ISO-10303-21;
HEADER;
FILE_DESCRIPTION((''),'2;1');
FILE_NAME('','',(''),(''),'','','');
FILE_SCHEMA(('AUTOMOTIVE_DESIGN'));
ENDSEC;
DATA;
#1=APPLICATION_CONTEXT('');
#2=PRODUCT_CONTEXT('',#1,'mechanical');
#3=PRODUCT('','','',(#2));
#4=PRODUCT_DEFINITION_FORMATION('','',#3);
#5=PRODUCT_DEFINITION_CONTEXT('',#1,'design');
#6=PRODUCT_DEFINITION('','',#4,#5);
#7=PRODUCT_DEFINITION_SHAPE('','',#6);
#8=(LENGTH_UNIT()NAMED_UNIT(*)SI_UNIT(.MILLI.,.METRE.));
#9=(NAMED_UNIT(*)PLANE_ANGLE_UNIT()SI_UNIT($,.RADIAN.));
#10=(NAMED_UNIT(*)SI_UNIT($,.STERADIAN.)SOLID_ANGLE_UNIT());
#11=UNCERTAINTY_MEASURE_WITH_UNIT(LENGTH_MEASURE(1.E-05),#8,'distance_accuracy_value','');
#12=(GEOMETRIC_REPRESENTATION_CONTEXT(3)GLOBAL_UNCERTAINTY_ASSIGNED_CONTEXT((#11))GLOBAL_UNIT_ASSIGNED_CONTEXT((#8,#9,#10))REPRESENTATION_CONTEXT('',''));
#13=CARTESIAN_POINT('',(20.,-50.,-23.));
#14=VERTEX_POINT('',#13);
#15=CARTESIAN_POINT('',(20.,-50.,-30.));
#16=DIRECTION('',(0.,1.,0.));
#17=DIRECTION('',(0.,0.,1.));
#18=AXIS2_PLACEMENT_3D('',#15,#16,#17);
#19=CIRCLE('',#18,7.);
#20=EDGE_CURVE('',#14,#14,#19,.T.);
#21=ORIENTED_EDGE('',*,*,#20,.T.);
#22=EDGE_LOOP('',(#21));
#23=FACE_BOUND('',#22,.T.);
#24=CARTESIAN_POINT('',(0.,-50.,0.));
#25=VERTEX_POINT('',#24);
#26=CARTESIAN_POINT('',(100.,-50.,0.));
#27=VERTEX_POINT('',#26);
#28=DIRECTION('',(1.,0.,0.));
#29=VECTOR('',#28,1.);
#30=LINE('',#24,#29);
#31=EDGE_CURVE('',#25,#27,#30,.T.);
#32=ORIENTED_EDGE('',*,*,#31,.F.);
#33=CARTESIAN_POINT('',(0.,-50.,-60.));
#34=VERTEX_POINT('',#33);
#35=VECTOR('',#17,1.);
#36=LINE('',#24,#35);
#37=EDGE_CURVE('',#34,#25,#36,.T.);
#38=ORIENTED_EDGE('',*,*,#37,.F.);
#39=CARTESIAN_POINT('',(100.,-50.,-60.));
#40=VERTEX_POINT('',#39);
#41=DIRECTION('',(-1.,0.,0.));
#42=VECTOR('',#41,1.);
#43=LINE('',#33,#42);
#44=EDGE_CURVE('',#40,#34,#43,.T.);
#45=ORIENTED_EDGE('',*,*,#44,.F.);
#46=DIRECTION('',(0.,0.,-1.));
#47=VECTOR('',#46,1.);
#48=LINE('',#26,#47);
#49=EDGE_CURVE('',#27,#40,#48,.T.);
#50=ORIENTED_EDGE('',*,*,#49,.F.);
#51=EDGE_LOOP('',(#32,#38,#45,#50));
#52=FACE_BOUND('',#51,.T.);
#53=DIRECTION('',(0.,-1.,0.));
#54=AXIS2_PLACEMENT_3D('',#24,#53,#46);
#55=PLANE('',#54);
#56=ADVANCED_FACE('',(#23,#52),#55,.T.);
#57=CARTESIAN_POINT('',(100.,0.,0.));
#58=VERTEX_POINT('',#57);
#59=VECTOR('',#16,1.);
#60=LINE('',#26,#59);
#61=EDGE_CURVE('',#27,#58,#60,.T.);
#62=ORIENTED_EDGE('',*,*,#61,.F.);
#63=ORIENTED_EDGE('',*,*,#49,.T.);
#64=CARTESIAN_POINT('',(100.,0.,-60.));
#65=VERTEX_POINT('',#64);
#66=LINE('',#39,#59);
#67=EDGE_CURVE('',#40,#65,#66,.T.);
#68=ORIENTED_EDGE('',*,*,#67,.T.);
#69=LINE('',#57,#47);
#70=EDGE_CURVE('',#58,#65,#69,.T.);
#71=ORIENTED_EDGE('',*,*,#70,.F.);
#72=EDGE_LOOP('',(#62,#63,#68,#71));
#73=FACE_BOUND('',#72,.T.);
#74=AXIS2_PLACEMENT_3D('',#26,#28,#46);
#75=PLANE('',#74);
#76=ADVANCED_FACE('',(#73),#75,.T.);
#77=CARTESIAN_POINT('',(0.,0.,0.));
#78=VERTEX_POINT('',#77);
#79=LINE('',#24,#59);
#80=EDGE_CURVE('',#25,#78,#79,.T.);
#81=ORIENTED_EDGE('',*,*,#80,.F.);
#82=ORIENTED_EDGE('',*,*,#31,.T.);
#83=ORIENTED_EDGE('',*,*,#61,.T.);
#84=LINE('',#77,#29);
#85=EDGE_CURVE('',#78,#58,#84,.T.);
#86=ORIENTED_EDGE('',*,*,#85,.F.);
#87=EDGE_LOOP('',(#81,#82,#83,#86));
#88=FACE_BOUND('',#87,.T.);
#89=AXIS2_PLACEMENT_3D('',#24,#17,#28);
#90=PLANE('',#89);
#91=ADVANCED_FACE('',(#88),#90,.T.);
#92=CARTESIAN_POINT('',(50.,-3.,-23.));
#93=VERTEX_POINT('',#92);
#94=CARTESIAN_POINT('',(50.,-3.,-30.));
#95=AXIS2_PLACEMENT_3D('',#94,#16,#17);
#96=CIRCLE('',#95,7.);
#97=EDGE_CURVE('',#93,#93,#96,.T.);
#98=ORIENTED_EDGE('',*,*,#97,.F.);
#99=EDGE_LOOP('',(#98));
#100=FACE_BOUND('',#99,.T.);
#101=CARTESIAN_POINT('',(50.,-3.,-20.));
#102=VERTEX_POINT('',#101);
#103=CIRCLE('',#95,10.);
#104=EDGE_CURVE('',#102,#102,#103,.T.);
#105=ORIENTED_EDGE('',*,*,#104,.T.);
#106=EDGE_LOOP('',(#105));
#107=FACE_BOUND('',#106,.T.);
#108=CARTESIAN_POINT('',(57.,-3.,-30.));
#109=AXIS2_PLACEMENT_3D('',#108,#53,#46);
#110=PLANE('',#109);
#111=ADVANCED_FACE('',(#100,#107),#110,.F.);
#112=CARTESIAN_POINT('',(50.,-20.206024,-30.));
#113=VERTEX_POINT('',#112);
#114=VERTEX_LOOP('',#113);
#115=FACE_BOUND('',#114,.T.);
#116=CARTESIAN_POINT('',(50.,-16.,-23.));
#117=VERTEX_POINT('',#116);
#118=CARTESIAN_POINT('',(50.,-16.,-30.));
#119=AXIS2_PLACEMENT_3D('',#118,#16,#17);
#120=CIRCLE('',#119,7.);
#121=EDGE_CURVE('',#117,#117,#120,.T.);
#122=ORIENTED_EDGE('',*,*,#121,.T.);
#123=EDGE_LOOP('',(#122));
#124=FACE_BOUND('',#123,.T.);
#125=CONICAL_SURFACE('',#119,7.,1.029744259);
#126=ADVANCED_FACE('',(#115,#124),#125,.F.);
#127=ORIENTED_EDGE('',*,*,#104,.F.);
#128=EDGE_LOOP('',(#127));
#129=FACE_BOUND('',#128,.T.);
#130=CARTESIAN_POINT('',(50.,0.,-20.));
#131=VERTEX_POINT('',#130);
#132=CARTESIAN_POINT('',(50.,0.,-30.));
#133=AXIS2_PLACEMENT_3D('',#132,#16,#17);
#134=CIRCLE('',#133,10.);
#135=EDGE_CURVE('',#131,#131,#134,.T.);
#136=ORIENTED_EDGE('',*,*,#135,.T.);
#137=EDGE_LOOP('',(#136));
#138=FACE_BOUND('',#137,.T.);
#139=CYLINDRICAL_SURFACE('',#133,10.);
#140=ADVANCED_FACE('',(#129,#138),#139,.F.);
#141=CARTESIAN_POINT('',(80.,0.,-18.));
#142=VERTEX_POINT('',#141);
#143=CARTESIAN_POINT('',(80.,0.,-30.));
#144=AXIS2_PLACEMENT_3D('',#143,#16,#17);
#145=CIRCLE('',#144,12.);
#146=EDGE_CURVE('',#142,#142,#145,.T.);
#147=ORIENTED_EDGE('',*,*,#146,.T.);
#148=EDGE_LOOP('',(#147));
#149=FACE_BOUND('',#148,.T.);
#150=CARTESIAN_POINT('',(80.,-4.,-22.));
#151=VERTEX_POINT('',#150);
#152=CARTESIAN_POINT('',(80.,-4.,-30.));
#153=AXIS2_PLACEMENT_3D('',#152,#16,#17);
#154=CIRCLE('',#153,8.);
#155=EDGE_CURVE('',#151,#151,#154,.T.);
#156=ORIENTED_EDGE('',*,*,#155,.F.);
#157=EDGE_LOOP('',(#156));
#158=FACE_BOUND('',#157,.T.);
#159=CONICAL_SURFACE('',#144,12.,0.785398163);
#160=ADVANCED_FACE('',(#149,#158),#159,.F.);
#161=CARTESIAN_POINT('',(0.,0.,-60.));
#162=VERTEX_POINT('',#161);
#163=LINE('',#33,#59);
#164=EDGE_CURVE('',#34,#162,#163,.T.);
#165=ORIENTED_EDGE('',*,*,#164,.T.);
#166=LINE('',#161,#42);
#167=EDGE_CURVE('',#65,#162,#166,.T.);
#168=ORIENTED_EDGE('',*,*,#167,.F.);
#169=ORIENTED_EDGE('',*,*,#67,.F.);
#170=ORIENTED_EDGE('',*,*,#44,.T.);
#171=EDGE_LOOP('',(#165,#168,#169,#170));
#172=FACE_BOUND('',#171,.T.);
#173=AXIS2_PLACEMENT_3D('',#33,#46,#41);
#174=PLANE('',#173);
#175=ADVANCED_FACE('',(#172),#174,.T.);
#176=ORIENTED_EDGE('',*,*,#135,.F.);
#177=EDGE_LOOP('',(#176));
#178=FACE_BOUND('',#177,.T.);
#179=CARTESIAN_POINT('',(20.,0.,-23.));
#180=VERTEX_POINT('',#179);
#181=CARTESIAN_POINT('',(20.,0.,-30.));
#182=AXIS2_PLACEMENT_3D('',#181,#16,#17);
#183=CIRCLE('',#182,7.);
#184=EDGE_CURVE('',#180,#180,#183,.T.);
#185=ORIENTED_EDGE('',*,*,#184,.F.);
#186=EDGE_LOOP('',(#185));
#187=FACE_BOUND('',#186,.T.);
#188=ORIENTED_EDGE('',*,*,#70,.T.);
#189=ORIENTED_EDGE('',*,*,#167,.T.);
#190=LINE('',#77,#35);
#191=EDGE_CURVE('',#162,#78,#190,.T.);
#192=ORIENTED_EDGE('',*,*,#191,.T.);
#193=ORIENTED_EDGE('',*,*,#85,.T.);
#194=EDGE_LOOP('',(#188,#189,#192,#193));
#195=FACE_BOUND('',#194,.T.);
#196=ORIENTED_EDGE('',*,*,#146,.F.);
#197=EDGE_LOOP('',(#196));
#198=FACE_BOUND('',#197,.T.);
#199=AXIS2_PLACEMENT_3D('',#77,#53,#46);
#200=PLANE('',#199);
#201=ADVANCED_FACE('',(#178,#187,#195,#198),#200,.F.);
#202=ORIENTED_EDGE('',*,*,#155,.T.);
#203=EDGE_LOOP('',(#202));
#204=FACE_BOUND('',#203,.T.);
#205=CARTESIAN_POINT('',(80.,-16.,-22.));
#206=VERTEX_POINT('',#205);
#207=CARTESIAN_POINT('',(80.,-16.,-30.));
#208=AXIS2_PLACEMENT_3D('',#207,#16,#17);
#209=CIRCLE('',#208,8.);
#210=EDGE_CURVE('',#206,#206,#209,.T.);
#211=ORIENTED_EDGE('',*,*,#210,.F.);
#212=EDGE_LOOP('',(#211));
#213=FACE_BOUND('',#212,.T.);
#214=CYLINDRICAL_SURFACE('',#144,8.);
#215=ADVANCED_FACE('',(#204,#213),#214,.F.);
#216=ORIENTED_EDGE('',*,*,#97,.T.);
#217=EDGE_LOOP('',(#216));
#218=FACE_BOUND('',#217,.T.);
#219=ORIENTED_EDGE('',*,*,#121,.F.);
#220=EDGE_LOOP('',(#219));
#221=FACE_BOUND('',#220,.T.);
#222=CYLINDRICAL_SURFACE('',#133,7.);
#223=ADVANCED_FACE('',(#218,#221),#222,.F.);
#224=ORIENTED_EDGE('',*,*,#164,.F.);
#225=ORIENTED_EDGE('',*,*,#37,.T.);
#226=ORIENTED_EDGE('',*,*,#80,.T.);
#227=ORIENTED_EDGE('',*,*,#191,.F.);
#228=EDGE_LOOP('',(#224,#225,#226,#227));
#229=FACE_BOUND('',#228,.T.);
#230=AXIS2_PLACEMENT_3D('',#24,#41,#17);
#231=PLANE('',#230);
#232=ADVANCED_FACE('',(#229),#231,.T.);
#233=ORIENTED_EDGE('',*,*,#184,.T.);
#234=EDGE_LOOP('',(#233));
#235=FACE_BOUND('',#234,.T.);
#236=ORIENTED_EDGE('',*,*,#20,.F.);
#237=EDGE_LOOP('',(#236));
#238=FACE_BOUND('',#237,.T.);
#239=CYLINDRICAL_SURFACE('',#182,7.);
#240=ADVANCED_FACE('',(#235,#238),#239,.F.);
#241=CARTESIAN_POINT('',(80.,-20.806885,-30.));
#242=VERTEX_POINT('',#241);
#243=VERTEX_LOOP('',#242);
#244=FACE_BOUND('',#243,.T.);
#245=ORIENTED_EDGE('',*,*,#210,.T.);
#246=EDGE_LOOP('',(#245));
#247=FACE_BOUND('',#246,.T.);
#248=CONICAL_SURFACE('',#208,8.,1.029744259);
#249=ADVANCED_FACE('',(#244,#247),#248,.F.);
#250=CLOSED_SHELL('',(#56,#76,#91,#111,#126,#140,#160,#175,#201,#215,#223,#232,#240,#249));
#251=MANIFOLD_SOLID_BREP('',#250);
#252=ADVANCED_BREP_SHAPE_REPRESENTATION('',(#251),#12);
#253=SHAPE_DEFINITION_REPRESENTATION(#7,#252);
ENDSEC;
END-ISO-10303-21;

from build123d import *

# Parameters (mm, degrees)
SKETCH1_W                                       = 100
SKETCH1_H                                       = 60
BOSS_EXTRUDE1_DEPTH                             = 50
CBORE_FOR_M5_HEX_HEAD_BOLT1_D                   = 14
CBORE_FOR_M5_HEX_HEAD_BOLT1_DEPTH               = 16
CBORE_FOR_M5_HEX_HEAD_BOLT1_CBORE_D             = 20
CBORE_FOR_M5_HEX_HEAD_BOLT1_CBORE_DEPTH         = 3
CBORE_FOR_M5_HEX_HEAD_BOLT1_TIP                 = 4.206024333
CSK_FOR_M5_FLAT_HEAD_MACHINE_SCREW1_D           = 16
CSK_FOR_M5_FLAT_HEAD_MACHINE_SCREW1_DEPTH       = 16
CSK_FOR_M5_FLAT_HEAD_MACHINE_SCREW1_CSINK_D     = 24
CSK_FOR_M5_FLAT_HEAD_MACHINE_SCREW1_CSINK_ANGLE = 90
CSK_FOR_M5_FLAT_HEAD_MACHINE_SCREW1_TIP         = 4.806884952
M16X2_0_TAPPED_HOLE1_D                          = 14


with BuildPart() as part:
    # Sketch1 → Boss-Extrude1 (new body)
    with BuildSketch(Plane(origin=(0, 0, 0), x_dir=(1, 0, 0), z_dir=(0, 1, 0))):
        with Locations((50, 30)):
            Rectangle(SKETCH1_W, SKETCH1_H)
    extrude(amount=-BOSS_EXTRUDE1_DEPTH)

    # CBORE for M5 Hex Head Bolt1
    with Locations(Plane(origin=(0, 0, 0), x_dir=(1, 0, 0), z_dir=(0, 1, 0))):
        with Locations((50, 30)):
            CounterBoreHole(CBORE_FOR_M5_HEX_HEAD_BOLT1_D / 2, CBORE_FOR_M5_HEX_HEAD_BOLT1_CBORE_D / 2, CBORE_FOR_M5_HEX_HEAD_BOLT1_CBORE_DEPTH, depth=CBORE_FOR_M5_HEX_HEAD_BOLT1_DEPTH)
            with Locations((0, 0, -(CBORE_FOR_M5_HEX_HEAD_BOLT1_DEPTH + CBORE_FOR_M5_HEX_HEAD_BOLT1_TIP / 2))):  # 118° drill point
                Cone(0, CBORE_FOR_M5_HEX_HEAD_BOLT1_D / 2, CBORE_FOR_M5_HEX_HEAD_BOLT1_TIP, mode=Mode.SUBTRACT)

    # CSK for M5 Flat Head Machine Screw1
    with Locations(Plane(origin=(0, 0, 0), x_dir=(1, 0, 0), z_dir=(0, 1, 0))):
        with Locations((80, 30)):
            CounterSinkHole(CSK_FOR_M5_FLAT_HEAD_MACHINE_SCREW1_D / 2, CSK_FOR_M5_FLAT_HEAD_MACHINE_SCREW1_CSINK_D / 2, depth=CSK_FOR_M5_FLAT_HEAD_MACHINE_SCREW1_DEPTH, counter_sink_angle=CSK_FOR_M5_FLAT_HEAD_MACHINE_SCREW1_CSINK_ANGLE)
            with Locations((0, 0, -(CSK_FOR_M5_FLAT_HEAD_MACHINE_SCREW1_DEPTH + CSK_FOR_M5_FLAT_HEAD_MACHINE_SCREW1_TIP / 2))):  # 118° drill point
                Cone(0, CSK_FOR_M5_FLAT_HEAD_MACHINE_SCREW1_D / 2, CSK_FOR_M5_FLAT_HEAD_MACHINE_SCREW1_TIP, mode=Mode.SUBTRACT)

    # M16x2.0 Tapped Hole1 (through all)
    with Locations(Plane(origin=(0, 0, 0), x_dir=(1, 0, 0), z_dir=(0, 1, 0))):
        with Locations((20, 30)):
            Hole(M16X2_0_TAPPED_HOLE1_D / 2)


solid = part.part
